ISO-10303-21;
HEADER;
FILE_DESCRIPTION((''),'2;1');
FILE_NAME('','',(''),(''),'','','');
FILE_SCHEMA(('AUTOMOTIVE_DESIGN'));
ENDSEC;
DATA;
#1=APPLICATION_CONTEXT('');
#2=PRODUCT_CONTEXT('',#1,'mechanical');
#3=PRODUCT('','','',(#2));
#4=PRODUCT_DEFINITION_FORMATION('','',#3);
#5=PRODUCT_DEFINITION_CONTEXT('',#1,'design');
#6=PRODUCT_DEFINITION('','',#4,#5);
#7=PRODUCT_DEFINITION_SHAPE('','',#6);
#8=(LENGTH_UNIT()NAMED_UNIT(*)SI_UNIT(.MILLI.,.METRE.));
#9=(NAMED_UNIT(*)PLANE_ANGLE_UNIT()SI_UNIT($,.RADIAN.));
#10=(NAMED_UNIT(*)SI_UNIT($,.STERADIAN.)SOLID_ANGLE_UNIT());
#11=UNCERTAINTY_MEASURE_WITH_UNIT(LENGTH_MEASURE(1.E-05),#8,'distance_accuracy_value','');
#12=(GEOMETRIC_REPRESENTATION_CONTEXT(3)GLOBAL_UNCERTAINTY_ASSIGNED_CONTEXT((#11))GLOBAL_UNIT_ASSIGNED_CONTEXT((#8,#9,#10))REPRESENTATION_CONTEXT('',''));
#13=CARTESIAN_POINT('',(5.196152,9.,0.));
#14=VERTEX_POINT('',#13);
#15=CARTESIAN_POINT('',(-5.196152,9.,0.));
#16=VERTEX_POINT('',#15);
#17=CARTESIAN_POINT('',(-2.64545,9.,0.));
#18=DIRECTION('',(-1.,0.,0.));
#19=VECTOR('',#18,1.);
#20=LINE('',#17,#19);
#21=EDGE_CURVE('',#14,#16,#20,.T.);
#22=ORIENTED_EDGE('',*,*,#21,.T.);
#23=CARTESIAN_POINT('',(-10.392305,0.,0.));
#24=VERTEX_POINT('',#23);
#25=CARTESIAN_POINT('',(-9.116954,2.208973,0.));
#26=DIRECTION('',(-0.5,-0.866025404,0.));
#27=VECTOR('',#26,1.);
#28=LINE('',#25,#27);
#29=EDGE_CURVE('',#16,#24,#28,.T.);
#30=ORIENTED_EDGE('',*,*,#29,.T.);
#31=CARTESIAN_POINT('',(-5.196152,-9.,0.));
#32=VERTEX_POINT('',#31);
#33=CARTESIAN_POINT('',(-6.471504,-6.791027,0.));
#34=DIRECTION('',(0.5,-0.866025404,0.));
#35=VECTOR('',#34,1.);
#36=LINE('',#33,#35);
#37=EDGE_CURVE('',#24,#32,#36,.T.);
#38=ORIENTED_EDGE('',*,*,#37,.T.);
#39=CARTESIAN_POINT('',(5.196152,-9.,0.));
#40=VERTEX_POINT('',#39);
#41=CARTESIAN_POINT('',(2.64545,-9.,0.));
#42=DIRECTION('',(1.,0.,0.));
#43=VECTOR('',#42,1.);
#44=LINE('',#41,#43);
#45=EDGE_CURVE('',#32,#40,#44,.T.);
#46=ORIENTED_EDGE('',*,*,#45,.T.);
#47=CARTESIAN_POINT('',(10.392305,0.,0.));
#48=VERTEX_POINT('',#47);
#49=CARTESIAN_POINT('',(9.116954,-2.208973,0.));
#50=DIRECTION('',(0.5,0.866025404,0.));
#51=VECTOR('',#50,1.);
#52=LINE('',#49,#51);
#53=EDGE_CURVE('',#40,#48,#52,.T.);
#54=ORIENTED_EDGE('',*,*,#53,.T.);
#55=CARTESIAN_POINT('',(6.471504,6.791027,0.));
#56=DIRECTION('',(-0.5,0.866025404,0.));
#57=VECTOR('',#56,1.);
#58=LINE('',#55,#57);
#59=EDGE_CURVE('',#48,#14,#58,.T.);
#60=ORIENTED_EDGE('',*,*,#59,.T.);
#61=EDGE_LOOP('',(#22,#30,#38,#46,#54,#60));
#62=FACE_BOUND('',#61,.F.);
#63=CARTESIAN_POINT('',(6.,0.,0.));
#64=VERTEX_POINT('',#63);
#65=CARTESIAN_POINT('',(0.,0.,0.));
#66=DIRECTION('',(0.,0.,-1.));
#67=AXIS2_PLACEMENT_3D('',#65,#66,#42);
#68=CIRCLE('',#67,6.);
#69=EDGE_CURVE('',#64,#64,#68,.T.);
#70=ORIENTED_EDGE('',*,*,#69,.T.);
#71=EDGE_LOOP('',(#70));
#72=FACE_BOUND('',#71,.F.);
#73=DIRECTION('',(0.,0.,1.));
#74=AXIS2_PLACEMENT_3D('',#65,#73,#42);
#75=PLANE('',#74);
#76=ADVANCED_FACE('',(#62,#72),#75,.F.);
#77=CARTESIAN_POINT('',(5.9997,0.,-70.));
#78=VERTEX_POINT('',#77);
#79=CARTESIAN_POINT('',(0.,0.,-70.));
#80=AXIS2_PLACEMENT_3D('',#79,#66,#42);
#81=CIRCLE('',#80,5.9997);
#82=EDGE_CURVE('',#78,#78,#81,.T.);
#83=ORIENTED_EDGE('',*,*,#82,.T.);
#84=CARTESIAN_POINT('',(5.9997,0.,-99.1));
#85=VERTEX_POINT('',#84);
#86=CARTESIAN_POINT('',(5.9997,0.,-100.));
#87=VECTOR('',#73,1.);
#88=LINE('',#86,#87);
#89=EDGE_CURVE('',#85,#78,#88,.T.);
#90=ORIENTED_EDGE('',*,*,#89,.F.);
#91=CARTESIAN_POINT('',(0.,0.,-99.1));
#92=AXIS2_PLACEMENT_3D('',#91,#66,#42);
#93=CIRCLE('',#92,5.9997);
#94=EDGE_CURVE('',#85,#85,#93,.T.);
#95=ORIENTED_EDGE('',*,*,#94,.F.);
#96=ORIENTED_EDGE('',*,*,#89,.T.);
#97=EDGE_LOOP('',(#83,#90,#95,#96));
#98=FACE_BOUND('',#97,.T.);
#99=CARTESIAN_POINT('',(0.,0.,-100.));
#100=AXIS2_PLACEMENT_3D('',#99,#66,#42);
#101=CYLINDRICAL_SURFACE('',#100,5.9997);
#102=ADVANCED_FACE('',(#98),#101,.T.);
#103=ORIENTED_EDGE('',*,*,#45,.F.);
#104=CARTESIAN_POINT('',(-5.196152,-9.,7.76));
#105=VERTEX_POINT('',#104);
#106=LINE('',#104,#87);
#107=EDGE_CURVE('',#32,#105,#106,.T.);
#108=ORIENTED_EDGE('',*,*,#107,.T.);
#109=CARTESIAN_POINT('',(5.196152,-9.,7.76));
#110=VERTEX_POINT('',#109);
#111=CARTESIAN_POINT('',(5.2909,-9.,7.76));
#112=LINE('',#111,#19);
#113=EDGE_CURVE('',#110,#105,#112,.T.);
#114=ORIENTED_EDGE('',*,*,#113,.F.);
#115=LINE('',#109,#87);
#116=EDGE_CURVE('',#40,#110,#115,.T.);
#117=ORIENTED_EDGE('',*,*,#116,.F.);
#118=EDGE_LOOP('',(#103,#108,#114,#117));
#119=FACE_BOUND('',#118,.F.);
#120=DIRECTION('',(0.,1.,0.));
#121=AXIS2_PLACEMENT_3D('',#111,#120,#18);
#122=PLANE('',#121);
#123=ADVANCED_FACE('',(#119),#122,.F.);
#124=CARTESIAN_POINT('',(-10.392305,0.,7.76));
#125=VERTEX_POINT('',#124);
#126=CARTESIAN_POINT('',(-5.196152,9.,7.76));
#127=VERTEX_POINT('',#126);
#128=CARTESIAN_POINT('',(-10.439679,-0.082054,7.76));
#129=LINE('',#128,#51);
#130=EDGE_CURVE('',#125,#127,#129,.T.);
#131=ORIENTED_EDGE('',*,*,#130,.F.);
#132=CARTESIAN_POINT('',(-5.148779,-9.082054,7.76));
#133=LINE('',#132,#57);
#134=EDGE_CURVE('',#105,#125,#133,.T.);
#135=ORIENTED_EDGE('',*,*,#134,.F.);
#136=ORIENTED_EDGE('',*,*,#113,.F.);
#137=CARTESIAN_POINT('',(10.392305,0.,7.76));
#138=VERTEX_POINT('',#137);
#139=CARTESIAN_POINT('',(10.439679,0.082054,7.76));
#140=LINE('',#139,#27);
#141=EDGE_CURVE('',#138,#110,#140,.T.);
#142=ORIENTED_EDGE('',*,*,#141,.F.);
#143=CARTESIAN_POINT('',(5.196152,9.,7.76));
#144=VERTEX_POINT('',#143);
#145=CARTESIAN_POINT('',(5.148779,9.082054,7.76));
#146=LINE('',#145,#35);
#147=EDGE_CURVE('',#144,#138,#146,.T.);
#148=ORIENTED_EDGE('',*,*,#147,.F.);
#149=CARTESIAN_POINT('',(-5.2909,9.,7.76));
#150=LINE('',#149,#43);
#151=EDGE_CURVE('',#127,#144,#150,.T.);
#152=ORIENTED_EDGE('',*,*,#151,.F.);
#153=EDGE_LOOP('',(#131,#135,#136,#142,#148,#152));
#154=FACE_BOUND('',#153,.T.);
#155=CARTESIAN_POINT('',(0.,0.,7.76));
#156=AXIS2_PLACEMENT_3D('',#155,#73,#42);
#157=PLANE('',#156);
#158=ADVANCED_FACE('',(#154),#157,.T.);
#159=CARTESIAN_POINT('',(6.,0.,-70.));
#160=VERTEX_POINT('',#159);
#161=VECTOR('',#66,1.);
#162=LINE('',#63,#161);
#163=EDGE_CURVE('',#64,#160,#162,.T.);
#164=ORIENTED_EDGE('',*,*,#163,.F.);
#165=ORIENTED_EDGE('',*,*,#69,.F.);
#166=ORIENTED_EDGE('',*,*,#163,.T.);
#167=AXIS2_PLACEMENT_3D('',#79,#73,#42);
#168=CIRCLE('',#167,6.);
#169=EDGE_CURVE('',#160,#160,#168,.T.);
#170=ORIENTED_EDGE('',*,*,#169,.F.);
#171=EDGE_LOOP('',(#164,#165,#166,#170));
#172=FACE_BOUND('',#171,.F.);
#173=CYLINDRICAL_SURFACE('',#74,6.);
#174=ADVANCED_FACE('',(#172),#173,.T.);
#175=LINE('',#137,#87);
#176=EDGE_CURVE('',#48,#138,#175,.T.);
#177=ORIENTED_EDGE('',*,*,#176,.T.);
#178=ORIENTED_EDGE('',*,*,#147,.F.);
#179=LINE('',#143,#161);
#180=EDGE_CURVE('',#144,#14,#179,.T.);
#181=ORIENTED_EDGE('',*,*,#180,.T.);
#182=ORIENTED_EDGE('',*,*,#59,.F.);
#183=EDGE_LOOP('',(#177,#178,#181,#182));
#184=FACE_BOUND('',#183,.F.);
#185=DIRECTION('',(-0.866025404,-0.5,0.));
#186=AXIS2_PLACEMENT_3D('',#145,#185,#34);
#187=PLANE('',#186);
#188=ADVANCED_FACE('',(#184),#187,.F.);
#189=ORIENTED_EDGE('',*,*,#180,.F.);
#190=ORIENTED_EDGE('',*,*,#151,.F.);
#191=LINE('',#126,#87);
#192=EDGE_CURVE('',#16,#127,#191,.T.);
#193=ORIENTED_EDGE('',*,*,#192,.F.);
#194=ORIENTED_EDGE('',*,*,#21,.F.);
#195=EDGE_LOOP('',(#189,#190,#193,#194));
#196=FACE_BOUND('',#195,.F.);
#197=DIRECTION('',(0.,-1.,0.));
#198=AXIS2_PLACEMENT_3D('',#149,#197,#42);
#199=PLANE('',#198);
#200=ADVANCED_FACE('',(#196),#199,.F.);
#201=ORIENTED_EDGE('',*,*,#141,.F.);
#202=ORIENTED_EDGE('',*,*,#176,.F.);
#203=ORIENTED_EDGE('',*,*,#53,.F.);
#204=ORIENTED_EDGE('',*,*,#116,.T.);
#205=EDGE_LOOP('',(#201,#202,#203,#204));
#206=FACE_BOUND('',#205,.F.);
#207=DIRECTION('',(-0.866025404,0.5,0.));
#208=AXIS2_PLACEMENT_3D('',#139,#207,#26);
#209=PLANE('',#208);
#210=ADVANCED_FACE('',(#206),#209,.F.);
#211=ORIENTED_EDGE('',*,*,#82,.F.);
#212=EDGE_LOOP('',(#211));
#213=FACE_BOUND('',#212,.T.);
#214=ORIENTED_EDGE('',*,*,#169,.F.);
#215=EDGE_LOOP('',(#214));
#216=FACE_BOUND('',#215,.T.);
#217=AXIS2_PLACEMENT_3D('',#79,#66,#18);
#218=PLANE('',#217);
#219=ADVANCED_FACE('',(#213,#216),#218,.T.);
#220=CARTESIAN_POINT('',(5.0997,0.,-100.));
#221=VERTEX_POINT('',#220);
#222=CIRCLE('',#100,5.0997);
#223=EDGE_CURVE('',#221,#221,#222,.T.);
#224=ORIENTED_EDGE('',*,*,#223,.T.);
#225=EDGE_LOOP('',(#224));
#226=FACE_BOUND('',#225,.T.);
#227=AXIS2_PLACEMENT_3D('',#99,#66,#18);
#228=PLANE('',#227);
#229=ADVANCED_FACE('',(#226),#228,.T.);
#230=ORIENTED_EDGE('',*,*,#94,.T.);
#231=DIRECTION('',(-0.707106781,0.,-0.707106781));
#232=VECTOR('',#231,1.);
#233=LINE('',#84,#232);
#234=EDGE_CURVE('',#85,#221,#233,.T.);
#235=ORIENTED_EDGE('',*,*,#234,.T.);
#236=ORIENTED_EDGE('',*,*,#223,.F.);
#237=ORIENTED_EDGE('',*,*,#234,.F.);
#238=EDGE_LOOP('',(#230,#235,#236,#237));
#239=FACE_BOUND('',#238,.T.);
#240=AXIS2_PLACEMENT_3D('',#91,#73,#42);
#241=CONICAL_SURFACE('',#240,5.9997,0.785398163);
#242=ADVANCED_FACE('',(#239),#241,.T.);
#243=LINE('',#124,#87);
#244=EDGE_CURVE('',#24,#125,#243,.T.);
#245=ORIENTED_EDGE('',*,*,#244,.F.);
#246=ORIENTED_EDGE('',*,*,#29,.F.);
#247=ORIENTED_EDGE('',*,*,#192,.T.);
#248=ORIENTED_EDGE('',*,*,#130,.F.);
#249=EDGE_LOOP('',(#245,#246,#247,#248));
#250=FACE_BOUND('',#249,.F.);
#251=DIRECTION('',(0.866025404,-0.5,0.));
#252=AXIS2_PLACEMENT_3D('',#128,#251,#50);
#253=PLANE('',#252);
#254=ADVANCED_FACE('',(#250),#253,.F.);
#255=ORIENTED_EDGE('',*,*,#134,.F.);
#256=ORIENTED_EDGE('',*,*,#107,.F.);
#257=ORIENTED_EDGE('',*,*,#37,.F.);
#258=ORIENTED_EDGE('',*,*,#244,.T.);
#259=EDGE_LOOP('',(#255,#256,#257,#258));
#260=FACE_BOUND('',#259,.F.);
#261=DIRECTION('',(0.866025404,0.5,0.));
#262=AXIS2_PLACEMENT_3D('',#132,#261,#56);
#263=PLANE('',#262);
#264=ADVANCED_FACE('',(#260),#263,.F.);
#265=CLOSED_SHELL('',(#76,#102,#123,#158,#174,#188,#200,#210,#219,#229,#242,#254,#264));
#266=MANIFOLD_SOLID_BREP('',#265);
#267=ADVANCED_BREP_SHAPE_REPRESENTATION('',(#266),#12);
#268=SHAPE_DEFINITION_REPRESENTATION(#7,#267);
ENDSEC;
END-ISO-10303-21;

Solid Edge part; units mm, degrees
sketch "Sketch1" plane through (0, 0, 0) normal (0, 0, 1) x (1, 0, 0)
  circle A0 centre (0, 0) radius 10.44
  dimension "D1" = 20.88
extrude "Protrusion1" add sketch "Sketch1" along normal blind 7.76
sketch "Sketch2" plane through (0, 0, 0) normal (0, 0, -1) x (1, 0, 0)
  circle A0 centre (0, 0) radius 6
extrude "Protrusion2" add sketch "Sketch2" along normal blind 100
sketch "Sketch3" plane through (0, 0, -100) normal (0, 0, -1) x (1, 0, 0)
  circle A0 centre (0, 0) radius 5.9997
extrude "Cutout1" cut sketch "Sketch3" against normal blind 30 flip side to cut
chamfer "Chamfer_1" distance 0.9 angle 45 1 edges at (-5.9997, 0, -100)
sketch "Sketch4" plane through (0, 0, 7.76) normal (0, 0, 1) x (1, 0, 0)
  line L0 (-5.2909, 9) -> (5.2909, 9)
  dimension "D1" = 18
extrude "Cutout2" cut sketch "Sketch4" against normal up to next material side at (0, 9.05, 7.76)
pattern_circular "Pattern1" count 6 over 360 about axis through (0, 0, 7.76) along (0, 0, 1) of "Cutout2"
properties part number "119587"
